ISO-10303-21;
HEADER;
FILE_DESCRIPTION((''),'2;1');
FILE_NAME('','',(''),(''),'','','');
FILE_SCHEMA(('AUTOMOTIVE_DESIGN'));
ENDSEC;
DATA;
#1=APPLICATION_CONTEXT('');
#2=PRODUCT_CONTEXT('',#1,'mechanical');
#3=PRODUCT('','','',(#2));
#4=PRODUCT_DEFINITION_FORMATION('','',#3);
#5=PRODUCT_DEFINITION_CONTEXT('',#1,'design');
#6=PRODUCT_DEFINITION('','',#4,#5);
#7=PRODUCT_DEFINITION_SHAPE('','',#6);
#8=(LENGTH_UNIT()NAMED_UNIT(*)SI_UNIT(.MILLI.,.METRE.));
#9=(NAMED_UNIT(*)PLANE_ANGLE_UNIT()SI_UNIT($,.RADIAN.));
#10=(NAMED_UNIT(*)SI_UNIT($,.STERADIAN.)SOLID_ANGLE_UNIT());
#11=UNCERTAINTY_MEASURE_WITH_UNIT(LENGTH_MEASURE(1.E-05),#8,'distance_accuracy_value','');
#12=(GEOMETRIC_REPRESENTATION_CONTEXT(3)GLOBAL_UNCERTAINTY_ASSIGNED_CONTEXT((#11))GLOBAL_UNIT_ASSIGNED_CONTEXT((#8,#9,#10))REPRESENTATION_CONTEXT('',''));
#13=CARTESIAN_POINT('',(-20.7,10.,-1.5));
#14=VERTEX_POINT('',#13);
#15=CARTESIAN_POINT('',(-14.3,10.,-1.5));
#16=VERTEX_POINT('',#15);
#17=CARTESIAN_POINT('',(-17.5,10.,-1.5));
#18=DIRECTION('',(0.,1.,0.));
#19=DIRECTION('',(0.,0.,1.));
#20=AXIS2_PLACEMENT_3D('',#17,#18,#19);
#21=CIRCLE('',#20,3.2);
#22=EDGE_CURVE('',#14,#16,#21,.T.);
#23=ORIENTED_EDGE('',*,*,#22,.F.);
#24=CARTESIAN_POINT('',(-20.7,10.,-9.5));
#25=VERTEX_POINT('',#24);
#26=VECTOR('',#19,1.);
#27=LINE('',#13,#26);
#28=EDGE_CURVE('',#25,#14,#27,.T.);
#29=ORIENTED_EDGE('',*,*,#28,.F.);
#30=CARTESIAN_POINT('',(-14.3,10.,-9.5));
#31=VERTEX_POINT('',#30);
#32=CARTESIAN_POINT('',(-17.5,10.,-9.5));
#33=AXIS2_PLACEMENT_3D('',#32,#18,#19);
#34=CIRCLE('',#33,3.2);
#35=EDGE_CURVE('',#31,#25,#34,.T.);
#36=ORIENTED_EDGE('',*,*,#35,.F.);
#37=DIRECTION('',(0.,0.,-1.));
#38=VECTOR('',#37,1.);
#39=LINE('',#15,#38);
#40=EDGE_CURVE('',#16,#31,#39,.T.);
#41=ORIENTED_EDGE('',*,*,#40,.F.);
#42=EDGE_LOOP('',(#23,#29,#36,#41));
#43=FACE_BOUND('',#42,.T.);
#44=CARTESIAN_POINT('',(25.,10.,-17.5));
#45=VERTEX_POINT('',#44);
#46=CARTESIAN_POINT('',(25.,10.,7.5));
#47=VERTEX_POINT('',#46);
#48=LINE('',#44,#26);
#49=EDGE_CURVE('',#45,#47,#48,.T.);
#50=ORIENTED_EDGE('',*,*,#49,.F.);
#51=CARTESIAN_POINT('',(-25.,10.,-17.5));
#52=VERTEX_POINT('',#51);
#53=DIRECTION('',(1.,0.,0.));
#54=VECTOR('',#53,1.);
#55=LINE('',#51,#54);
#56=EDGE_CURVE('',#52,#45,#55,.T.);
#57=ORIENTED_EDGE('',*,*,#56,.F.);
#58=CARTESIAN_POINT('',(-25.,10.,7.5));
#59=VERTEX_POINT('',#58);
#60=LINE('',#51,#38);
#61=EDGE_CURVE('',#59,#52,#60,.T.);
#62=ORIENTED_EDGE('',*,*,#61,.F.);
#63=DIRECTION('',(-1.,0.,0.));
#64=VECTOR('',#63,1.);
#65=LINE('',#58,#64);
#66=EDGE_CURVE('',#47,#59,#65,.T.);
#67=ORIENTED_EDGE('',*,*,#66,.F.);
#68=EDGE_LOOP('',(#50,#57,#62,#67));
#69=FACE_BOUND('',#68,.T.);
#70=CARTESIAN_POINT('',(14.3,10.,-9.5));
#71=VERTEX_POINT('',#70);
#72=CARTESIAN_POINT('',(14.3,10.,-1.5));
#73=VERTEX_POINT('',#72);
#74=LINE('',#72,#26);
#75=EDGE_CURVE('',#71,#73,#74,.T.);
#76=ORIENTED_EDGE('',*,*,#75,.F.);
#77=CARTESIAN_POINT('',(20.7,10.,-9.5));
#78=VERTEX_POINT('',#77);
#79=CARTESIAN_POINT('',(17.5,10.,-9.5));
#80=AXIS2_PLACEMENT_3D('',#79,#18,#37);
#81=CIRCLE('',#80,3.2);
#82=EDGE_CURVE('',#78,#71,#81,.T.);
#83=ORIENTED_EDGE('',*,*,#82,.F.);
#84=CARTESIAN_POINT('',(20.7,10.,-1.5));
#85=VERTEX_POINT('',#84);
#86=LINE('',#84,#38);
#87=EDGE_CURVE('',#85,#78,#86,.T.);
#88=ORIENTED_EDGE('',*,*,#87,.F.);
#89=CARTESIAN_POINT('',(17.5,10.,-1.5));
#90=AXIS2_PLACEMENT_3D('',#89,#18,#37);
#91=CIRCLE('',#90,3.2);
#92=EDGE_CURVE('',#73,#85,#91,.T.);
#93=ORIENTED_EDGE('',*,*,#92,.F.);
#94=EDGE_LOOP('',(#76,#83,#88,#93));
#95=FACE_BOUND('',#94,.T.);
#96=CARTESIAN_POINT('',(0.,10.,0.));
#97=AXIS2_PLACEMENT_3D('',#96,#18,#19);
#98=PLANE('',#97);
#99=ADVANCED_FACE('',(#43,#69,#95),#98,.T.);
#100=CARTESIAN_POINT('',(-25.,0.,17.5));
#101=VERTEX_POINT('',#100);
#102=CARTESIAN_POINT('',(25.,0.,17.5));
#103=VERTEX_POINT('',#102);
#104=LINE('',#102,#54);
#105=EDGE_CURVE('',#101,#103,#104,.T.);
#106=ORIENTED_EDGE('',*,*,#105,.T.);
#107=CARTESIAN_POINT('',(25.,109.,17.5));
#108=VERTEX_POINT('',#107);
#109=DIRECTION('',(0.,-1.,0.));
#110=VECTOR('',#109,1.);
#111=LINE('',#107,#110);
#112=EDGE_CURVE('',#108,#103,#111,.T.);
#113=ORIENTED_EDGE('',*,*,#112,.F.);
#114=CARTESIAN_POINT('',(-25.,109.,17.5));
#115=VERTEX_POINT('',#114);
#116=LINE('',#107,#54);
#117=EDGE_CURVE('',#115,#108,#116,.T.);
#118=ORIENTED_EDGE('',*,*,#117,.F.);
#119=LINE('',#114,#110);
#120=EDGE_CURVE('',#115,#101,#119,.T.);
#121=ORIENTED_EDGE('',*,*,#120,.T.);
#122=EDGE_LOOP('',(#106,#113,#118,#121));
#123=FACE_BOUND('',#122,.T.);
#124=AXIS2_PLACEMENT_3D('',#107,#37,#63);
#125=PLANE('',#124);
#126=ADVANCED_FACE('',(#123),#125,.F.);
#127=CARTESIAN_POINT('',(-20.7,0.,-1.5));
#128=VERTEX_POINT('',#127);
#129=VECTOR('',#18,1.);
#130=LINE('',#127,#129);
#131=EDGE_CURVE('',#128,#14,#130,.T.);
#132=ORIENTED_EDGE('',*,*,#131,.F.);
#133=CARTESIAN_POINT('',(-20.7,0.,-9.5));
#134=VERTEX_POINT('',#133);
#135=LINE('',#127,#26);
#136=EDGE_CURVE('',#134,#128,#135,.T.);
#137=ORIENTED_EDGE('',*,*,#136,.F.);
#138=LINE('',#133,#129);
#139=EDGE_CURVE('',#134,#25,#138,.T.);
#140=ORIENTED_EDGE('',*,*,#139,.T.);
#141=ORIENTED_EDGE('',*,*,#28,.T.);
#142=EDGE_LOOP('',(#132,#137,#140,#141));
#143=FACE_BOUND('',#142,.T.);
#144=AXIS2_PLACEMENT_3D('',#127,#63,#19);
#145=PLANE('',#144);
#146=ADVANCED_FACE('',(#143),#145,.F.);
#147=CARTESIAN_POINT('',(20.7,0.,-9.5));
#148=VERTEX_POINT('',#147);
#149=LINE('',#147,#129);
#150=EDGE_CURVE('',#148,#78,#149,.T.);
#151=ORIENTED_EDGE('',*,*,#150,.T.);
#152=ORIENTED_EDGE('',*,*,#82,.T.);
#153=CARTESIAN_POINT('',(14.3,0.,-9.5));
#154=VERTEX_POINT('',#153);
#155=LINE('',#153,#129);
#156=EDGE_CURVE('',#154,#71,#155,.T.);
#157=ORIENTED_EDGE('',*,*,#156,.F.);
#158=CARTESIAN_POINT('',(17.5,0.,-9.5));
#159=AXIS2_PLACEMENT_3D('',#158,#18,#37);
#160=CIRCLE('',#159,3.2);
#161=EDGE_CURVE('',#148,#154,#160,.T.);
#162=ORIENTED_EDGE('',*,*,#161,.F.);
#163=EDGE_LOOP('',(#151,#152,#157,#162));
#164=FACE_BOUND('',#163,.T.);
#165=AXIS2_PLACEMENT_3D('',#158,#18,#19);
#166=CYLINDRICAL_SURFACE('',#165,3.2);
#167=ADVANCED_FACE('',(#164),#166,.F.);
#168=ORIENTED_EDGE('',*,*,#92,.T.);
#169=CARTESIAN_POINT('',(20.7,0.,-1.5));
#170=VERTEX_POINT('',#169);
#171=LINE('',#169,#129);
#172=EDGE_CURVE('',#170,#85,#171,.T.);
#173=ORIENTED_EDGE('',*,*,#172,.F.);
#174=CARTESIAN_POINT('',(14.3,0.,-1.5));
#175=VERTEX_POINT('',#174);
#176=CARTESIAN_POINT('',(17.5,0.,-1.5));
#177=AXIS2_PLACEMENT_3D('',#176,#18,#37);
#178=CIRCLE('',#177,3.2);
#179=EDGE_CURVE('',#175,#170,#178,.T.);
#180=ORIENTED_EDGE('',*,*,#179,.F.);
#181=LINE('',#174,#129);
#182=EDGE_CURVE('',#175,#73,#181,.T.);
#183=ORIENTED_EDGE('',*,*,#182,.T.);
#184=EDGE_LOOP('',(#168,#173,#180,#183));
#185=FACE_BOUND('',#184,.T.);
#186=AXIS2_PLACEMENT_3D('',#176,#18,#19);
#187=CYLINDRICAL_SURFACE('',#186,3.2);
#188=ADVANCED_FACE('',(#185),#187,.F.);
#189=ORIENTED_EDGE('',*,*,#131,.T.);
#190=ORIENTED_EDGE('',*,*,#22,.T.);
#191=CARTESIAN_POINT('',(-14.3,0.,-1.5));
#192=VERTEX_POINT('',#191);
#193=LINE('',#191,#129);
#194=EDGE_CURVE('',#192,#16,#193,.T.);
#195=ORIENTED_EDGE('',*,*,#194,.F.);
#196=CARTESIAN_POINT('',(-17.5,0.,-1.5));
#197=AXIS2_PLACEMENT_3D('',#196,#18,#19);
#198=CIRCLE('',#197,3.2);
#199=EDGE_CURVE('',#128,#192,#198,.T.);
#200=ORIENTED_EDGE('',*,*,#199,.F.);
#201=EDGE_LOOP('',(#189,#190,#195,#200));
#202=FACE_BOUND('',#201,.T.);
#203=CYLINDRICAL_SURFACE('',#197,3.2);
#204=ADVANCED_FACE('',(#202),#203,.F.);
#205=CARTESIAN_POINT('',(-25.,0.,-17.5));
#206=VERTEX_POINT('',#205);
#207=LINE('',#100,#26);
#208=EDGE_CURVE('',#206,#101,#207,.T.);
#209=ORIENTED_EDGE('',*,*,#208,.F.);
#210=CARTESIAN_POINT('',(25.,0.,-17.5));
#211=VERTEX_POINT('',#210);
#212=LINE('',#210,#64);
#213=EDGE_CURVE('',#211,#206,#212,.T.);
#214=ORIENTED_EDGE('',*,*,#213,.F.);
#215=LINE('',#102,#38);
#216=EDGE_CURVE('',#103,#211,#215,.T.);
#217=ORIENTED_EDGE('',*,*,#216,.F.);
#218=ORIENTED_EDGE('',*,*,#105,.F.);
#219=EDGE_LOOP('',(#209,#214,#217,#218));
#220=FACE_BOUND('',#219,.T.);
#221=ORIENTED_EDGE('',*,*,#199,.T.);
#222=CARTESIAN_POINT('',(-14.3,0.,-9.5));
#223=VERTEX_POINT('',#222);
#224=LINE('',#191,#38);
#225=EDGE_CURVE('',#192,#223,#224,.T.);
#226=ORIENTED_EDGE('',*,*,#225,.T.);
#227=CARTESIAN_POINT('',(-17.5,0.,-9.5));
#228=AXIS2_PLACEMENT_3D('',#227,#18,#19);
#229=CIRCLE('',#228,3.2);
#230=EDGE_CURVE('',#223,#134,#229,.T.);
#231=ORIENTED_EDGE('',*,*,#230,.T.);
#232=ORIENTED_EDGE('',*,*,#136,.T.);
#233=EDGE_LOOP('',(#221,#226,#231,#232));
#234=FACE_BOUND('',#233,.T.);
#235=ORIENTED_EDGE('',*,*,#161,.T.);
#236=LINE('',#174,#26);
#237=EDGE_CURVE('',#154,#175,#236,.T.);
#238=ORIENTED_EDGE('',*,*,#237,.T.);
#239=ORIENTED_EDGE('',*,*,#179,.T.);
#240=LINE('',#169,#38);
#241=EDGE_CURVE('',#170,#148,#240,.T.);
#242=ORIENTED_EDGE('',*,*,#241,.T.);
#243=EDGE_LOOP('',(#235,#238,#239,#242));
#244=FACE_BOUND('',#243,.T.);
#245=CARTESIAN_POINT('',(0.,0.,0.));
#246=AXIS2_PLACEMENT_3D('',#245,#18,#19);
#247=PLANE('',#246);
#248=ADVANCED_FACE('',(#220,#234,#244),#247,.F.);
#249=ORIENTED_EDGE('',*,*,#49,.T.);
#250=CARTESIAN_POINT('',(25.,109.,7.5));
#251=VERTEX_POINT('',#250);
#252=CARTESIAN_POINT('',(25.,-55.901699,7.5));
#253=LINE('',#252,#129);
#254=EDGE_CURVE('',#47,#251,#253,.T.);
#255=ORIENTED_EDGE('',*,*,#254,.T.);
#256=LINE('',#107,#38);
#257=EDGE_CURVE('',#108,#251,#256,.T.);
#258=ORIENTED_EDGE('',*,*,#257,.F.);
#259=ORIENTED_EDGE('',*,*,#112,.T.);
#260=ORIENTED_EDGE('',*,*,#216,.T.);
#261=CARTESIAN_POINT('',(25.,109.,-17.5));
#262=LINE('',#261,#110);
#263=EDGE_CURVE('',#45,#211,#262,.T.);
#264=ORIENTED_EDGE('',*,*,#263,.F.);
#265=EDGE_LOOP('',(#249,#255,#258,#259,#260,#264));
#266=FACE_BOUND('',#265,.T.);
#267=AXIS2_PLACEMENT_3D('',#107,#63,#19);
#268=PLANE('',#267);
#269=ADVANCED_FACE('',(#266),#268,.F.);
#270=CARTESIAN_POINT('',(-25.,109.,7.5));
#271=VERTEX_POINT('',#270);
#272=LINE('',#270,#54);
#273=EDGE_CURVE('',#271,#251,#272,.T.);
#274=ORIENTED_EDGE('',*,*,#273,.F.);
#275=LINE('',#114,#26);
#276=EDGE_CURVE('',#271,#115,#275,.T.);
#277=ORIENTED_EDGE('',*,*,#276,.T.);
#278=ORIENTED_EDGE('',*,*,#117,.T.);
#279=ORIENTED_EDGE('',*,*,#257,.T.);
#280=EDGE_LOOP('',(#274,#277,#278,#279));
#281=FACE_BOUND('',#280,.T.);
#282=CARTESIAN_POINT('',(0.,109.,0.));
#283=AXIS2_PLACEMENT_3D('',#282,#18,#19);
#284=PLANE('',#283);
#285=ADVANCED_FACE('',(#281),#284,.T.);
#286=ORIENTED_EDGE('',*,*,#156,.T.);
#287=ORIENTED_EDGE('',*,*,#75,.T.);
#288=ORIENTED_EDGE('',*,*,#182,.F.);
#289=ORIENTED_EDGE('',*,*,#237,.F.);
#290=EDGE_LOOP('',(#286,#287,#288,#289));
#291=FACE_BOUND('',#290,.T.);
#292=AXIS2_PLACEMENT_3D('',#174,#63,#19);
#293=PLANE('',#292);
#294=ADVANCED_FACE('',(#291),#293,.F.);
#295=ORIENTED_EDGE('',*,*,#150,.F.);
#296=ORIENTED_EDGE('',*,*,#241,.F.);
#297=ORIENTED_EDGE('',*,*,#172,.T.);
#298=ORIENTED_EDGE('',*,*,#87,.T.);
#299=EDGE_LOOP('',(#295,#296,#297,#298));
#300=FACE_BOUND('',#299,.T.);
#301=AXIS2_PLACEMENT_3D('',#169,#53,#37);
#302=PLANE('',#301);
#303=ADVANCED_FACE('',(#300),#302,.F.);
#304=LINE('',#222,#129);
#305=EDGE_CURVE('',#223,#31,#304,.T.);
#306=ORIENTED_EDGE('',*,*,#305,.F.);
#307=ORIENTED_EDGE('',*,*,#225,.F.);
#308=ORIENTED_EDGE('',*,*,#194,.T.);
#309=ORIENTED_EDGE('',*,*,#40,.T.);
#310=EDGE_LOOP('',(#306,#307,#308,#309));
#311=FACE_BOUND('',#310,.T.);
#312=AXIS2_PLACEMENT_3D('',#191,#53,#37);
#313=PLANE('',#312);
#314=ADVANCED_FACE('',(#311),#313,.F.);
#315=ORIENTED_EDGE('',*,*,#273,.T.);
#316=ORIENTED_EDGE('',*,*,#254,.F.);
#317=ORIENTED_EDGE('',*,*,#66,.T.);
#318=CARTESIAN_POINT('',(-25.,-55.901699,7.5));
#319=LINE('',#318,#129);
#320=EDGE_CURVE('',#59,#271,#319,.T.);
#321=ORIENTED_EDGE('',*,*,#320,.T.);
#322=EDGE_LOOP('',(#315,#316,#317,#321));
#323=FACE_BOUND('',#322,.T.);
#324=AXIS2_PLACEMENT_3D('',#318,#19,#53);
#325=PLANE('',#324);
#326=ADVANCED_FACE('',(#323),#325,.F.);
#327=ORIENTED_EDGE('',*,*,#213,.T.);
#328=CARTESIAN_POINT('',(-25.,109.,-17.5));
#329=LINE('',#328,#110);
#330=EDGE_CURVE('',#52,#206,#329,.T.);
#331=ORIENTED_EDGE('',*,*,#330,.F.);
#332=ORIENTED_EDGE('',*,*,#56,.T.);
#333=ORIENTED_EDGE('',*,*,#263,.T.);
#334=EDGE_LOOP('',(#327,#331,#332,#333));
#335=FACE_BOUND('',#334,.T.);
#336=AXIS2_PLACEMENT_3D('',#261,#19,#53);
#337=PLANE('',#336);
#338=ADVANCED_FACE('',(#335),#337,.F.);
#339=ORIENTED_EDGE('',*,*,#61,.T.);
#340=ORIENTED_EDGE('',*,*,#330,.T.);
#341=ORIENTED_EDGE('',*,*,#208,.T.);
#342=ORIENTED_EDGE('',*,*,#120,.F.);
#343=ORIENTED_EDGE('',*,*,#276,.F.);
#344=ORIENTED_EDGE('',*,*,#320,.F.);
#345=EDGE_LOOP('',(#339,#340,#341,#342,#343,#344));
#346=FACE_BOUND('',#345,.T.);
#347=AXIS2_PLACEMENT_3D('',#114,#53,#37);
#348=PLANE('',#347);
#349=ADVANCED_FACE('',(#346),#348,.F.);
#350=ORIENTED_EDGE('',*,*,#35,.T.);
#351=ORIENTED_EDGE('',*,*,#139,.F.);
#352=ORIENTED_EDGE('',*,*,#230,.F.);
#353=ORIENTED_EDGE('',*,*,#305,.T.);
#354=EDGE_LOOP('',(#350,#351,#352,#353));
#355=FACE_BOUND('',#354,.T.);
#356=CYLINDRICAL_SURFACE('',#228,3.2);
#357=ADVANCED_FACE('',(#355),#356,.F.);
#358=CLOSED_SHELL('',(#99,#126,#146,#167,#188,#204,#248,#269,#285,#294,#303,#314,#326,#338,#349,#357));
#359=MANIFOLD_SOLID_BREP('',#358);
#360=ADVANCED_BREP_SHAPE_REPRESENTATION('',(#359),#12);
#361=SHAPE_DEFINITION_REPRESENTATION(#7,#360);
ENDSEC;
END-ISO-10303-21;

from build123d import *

# Parameters (mm, degrees)
SKETCH_1_W          = 50
SKETCH_1_H          = 35
EXTRUDE_1_DEPTH     = 109
SKETCH_2_W          = 50
SKETCH_2_H          = 25
CUT_EXTRUDE_1_DEPTH = 99
CUT_EXTRUDE_2_DEPTH = 11


with BuildPart() as part:
    # 草图1 → 凸台-拉伸1 (new body)
    with BuildSketch(Plane(origin=(0, 0, 0), x_dir=(1, 0, 0), z_dir=(0, 1, 0))):
        Rectangle(SKETCH_1_W, SKETCH_1_H)
    extrude(amount=EXTRUDE_1_DEPTH)

    # 草图2 → 切除-拉伸1 (cut)
    with BuildSketch(Plane(origin=(0, 109, 0), x_dir=(1, 0, 0), z_dir=(0, 1, 0))):
        with Locations((0, 5)):
            Rectangle(SKETCH_2_W, SKETCH_2_H)
    extrude(amount=-CUT_EXTRUDE_1_DEPTH, mode=Mode.SUBTRACT)

    # 草图3 → 切除-拉伸2 (cut, through all)
    with BuildSketch(Plane(origin=(0, 10, 0), x_dir=(1, 0, 0), z_dir=(0, 1, 0))):
        with BuildLine():
            Line((-20.7, 1.5), (-20.7, 9.5))
            ThreePointArc((-20.7, 9.5), (-17.5, 12.7), (-14.3, 9.5))
            Line((-14.3, 9.5), (-14.3, 1.5))
            ThreePointArc((-14.3, 1.5), (-17.5, -1.7), (-20.7, 1.5))
        make_face()
        with BuildLine():
            Line((20.7, 1.5), (20.7, 9.5))
            ThreePointArc((20.7, 9.5), (17.5, 12.7), (14.3, 9.5))
            Line((14.3, 9.5), (14.3, 1.5))
            ThreePointArc((14.3, 1.5), (17.5, -1.7), (20.7, 1.5))
        make_face()
    extrude(amount=-CUT_EXTRUDE_2_DEPTH, mode=Mode.SUBTRACT)


solid = part.part
